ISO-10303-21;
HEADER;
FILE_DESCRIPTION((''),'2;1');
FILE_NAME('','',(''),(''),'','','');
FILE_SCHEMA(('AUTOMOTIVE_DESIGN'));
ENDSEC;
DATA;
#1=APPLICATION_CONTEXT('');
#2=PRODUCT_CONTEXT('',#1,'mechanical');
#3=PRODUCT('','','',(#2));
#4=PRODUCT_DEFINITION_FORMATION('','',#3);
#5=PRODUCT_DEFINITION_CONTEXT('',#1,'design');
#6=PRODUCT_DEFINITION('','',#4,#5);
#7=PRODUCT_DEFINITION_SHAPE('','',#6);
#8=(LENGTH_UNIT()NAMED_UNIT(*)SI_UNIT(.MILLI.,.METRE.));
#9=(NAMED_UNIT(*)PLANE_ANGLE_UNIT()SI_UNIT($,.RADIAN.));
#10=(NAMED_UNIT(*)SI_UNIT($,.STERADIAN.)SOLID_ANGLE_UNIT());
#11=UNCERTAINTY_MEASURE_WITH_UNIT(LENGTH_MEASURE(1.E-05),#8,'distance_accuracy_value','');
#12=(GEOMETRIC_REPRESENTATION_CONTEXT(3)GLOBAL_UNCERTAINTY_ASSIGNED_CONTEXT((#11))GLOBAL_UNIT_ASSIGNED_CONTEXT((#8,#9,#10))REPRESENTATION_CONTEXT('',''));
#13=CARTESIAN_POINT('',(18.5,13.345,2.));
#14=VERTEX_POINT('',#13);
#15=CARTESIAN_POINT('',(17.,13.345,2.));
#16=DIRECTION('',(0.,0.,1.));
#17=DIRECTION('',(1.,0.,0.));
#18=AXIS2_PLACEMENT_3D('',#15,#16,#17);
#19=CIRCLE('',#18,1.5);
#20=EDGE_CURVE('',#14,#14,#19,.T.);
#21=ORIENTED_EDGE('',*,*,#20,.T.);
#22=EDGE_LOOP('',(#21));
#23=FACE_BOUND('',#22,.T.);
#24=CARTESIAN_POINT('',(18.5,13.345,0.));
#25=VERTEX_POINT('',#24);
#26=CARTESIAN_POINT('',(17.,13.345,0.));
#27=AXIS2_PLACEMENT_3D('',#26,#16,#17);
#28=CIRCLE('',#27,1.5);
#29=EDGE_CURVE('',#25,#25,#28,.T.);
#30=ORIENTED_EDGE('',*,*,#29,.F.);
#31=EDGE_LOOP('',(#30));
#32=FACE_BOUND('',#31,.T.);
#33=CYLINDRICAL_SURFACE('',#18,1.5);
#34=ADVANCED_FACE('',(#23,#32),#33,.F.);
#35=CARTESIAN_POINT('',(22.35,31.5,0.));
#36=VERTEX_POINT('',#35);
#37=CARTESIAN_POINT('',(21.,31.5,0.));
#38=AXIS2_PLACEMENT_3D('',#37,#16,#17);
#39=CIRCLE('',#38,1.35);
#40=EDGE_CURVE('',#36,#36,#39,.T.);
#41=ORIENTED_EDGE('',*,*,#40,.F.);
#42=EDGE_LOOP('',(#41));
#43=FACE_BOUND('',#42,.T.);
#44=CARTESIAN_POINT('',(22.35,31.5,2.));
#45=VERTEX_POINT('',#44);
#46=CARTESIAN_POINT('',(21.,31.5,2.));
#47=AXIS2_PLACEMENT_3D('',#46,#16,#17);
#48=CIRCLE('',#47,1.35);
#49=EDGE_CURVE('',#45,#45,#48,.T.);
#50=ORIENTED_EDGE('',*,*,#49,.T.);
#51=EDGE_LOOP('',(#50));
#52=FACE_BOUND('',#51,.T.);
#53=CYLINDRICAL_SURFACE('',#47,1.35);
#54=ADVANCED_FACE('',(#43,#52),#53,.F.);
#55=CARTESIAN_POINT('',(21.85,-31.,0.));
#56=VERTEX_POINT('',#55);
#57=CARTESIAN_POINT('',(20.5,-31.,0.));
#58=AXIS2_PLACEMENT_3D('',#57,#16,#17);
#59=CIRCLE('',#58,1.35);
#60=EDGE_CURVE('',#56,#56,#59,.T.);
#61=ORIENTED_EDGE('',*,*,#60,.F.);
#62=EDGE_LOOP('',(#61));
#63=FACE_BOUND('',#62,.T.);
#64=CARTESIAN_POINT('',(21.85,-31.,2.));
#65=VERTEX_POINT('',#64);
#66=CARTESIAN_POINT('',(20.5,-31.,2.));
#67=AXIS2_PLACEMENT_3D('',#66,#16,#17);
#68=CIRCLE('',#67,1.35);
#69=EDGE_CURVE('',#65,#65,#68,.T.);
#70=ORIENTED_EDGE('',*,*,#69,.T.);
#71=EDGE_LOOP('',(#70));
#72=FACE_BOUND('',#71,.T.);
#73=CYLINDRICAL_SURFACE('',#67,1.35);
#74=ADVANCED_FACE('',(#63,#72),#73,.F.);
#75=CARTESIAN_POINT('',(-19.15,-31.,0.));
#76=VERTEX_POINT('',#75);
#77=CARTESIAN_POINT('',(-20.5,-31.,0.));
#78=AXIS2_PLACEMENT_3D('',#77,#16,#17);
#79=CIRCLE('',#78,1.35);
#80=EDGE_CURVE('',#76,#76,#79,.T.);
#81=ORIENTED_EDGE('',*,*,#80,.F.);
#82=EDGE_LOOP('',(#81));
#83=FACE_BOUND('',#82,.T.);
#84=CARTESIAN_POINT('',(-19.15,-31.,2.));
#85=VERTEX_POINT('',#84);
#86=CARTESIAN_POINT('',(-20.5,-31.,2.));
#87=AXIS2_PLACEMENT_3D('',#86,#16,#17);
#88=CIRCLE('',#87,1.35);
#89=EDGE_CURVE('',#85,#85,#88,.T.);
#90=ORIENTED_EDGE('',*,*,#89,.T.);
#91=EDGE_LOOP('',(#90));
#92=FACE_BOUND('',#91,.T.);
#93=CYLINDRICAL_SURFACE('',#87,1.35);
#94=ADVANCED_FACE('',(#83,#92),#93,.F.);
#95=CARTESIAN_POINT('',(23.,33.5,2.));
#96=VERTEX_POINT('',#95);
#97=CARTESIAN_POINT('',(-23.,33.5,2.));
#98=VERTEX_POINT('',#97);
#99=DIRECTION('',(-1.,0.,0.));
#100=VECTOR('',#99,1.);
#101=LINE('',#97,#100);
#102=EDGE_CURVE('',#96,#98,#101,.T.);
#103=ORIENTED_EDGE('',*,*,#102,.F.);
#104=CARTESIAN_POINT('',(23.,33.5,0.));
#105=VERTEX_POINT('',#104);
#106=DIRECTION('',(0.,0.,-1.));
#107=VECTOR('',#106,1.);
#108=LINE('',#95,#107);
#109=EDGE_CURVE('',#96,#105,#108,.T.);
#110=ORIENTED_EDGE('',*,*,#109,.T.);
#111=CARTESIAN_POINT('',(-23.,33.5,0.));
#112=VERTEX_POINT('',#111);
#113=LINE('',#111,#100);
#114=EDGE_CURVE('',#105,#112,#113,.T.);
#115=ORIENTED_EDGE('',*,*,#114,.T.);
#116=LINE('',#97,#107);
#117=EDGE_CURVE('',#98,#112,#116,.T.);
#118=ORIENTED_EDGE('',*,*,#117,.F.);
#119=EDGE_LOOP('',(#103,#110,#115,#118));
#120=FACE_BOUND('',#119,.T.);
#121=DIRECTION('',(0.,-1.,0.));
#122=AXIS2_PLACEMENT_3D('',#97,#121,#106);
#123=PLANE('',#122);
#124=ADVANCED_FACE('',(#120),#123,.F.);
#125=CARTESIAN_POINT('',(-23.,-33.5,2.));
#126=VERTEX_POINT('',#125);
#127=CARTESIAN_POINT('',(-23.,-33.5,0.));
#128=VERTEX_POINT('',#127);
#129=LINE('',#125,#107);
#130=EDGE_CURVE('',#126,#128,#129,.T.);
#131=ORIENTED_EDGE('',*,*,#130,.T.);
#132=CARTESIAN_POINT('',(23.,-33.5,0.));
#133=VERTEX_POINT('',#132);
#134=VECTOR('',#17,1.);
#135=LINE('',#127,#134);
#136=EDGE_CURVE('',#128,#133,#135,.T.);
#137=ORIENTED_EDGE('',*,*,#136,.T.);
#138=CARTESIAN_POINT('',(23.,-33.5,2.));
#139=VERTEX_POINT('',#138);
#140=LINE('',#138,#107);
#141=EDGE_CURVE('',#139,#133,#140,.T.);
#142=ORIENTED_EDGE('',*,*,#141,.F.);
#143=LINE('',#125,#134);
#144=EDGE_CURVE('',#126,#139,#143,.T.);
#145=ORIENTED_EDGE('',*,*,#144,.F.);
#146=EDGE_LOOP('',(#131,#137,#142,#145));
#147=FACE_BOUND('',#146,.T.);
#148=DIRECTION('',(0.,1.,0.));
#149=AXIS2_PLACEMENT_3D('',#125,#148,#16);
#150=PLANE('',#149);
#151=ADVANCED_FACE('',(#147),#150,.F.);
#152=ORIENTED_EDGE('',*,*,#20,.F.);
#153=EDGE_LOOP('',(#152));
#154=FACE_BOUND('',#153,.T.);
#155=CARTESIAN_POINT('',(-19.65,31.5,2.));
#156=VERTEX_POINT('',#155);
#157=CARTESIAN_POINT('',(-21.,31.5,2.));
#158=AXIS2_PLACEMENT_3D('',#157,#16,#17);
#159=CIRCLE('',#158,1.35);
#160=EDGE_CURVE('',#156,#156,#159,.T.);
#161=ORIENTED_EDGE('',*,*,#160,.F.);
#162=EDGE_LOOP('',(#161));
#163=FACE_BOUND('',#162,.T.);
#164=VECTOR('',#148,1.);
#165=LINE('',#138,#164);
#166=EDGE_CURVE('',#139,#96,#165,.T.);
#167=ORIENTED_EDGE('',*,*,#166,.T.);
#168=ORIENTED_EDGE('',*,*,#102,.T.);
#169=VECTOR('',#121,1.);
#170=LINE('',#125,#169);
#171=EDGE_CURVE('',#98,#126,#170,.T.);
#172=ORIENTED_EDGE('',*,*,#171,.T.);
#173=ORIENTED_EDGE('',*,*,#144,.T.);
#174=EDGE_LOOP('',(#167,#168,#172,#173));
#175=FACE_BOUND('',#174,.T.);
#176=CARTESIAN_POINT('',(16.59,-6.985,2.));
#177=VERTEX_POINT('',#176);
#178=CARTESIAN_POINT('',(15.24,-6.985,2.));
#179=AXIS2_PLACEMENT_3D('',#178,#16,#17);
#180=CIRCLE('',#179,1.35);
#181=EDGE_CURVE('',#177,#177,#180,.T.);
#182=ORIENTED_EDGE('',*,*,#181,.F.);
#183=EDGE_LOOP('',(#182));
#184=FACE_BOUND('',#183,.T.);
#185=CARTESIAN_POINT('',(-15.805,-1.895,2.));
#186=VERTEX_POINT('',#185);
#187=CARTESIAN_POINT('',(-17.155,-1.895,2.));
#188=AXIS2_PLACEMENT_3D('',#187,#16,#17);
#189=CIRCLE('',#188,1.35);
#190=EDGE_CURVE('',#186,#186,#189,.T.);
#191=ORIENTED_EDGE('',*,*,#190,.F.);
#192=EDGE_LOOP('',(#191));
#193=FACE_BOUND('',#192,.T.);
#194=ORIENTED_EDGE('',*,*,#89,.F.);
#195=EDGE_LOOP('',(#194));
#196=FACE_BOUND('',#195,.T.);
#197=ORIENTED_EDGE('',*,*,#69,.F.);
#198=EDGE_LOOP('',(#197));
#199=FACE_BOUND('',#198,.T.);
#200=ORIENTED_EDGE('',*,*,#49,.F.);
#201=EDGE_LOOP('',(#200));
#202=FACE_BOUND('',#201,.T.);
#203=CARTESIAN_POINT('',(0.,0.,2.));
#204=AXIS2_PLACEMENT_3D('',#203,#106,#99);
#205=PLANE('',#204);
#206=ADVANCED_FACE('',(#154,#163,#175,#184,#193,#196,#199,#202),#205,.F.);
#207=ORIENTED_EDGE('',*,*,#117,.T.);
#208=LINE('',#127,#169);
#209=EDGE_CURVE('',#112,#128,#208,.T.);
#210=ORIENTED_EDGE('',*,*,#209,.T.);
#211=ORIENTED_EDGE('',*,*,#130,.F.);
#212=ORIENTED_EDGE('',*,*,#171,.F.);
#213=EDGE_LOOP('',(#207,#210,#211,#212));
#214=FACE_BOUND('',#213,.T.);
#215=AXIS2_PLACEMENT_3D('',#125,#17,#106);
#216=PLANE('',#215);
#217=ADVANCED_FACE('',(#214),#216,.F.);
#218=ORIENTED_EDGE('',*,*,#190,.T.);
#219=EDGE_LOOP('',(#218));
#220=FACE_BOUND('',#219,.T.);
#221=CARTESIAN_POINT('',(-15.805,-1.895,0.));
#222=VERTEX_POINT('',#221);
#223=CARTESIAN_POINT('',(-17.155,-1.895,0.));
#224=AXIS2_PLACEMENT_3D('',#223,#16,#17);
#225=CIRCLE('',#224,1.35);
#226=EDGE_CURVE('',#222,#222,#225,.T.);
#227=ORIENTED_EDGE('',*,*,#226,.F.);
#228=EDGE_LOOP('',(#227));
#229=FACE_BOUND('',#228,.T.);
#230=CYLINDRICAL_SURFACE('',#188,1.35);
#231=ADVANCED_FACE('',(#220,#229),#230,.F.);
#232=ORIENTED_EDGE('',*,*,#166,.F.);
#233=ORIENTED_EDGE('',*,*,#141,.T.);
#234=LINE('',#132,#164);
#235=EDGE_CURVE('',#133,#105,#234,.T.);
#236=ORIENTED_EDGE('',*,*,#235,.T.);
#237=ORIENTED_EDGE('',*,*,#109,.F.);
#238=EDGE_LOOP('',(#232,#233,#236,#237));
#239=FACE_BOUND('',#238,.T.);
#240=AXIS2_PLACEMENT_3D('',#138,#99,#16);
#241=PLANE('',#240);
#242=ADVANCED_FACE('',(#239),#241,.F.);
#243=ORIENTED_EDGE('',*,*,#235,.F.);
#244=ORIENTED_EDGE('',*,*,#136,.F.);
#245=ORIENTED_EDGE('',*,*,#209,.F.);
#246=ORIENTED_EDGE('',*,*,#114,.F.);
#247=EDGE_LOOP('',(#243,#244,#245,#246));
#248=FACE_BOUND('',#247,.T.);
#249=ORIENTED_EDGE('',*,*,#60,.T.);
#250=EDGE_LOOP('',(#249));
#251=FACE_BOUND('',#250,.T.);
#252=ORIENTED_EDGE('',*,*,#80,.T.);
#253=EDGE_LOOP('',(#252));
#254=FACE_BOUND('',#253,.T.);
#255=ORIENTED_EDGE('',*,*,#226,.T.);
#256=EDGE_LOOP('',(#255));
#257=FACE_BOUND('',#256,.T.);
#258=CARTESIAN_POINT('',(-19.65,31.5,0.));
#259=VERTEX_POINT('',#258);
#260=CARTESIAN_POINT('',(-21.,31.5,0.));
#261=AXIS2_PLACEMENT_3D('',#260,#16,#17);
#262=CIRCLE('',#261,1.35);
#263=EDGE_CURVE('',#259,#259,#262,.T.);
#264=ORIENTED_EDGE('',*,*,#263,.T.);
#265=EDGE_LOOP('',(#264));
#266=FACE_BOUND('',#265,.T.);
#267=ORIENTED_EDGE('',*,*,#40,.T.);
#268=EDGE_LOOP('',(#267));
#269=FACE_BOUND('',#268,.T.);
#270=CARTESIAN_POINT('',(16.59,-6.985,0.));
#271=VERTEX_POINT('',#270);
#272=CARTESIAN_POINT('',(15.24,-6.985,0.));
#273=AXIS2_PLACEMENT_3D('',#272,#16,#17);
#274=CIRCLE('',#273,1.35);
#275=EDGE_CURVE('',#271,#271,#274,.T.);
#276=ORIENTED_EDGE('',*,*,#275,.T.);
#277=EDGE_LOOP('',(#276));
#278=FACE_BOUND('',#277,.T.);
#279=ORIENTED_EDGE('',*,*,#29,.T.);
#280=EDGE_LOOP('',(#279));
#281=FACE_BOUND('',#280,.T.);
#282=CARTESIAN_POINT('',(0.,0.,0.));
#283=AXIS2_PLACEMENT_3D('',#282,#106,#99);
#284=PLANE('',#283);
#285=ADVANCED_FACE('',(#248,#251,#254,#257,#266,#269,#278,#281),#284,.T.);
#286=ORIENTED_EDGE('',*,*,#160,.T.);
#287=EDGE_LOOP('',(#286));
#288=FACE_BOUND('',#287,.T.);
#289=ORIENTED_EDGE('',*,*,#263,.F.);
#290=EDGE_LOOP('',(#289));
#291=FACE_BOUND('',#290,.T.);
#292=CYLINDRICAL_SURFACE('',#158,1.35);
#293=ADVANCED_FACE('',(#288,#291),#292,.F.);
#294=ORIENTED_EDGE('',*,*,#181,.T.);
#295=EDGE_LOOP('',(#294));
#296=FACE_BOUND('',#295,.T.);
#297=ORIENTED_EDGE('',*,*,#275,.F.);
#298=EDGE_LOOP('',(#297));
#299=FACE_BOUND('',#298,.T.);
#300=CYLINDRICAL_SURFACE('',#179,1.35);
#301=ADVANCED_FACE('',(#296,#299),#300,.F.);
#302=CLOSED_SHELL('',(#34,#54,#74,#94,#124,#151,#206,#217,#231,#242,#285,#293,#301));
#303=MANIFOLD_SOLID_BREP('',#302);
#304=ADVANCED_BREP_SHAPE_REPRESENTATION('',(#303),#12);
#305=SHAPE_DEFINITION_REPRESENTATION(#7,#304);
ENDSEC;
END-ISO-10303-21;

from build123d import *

# Parameters (mm, degrees)
SKETCH1_W                  = 46
SKETCH1_H                  = 67
BOSS_EXTRUDE1_DEPTH        = 2
F_2_7_2_7_DIAMETER_HOLE1_D = 2.7
F_3_0_3_DIAMETER_HOLE1_D   = 3


with BuildPart() as part:
    # Sketch1 → Boss-Extrude1 (new body)
    with BuildSketch(Plane.XY):
        Rectangle(SKETCH1_W, SKETCH1_H)
    extrude(amount=BOSS_EXTRUDE1_DEPTH)

    # Ø2.7 (2.7) Diameter Hole1 (through all)
    with Locations(Plane.XY.offset(2)):
        with Locations((-21, 31.5), (21, 31.5), (20.5, -31), (-20.5, -31), (-17.155, -1.895), (15.24, -6.985)):
            Hole(F_2_7_2_7_DIAMETER_HOLE1_D / 2)

    # Ø3.0 (3) Diameter Hole1 (through all)
    with Locations(Plane.XY.offset(2)):
        with Locations((17, 13.345)):
            Hole(F_3_0_3_DIAMETER_HOLE1_D / 2)


solid = part.part
